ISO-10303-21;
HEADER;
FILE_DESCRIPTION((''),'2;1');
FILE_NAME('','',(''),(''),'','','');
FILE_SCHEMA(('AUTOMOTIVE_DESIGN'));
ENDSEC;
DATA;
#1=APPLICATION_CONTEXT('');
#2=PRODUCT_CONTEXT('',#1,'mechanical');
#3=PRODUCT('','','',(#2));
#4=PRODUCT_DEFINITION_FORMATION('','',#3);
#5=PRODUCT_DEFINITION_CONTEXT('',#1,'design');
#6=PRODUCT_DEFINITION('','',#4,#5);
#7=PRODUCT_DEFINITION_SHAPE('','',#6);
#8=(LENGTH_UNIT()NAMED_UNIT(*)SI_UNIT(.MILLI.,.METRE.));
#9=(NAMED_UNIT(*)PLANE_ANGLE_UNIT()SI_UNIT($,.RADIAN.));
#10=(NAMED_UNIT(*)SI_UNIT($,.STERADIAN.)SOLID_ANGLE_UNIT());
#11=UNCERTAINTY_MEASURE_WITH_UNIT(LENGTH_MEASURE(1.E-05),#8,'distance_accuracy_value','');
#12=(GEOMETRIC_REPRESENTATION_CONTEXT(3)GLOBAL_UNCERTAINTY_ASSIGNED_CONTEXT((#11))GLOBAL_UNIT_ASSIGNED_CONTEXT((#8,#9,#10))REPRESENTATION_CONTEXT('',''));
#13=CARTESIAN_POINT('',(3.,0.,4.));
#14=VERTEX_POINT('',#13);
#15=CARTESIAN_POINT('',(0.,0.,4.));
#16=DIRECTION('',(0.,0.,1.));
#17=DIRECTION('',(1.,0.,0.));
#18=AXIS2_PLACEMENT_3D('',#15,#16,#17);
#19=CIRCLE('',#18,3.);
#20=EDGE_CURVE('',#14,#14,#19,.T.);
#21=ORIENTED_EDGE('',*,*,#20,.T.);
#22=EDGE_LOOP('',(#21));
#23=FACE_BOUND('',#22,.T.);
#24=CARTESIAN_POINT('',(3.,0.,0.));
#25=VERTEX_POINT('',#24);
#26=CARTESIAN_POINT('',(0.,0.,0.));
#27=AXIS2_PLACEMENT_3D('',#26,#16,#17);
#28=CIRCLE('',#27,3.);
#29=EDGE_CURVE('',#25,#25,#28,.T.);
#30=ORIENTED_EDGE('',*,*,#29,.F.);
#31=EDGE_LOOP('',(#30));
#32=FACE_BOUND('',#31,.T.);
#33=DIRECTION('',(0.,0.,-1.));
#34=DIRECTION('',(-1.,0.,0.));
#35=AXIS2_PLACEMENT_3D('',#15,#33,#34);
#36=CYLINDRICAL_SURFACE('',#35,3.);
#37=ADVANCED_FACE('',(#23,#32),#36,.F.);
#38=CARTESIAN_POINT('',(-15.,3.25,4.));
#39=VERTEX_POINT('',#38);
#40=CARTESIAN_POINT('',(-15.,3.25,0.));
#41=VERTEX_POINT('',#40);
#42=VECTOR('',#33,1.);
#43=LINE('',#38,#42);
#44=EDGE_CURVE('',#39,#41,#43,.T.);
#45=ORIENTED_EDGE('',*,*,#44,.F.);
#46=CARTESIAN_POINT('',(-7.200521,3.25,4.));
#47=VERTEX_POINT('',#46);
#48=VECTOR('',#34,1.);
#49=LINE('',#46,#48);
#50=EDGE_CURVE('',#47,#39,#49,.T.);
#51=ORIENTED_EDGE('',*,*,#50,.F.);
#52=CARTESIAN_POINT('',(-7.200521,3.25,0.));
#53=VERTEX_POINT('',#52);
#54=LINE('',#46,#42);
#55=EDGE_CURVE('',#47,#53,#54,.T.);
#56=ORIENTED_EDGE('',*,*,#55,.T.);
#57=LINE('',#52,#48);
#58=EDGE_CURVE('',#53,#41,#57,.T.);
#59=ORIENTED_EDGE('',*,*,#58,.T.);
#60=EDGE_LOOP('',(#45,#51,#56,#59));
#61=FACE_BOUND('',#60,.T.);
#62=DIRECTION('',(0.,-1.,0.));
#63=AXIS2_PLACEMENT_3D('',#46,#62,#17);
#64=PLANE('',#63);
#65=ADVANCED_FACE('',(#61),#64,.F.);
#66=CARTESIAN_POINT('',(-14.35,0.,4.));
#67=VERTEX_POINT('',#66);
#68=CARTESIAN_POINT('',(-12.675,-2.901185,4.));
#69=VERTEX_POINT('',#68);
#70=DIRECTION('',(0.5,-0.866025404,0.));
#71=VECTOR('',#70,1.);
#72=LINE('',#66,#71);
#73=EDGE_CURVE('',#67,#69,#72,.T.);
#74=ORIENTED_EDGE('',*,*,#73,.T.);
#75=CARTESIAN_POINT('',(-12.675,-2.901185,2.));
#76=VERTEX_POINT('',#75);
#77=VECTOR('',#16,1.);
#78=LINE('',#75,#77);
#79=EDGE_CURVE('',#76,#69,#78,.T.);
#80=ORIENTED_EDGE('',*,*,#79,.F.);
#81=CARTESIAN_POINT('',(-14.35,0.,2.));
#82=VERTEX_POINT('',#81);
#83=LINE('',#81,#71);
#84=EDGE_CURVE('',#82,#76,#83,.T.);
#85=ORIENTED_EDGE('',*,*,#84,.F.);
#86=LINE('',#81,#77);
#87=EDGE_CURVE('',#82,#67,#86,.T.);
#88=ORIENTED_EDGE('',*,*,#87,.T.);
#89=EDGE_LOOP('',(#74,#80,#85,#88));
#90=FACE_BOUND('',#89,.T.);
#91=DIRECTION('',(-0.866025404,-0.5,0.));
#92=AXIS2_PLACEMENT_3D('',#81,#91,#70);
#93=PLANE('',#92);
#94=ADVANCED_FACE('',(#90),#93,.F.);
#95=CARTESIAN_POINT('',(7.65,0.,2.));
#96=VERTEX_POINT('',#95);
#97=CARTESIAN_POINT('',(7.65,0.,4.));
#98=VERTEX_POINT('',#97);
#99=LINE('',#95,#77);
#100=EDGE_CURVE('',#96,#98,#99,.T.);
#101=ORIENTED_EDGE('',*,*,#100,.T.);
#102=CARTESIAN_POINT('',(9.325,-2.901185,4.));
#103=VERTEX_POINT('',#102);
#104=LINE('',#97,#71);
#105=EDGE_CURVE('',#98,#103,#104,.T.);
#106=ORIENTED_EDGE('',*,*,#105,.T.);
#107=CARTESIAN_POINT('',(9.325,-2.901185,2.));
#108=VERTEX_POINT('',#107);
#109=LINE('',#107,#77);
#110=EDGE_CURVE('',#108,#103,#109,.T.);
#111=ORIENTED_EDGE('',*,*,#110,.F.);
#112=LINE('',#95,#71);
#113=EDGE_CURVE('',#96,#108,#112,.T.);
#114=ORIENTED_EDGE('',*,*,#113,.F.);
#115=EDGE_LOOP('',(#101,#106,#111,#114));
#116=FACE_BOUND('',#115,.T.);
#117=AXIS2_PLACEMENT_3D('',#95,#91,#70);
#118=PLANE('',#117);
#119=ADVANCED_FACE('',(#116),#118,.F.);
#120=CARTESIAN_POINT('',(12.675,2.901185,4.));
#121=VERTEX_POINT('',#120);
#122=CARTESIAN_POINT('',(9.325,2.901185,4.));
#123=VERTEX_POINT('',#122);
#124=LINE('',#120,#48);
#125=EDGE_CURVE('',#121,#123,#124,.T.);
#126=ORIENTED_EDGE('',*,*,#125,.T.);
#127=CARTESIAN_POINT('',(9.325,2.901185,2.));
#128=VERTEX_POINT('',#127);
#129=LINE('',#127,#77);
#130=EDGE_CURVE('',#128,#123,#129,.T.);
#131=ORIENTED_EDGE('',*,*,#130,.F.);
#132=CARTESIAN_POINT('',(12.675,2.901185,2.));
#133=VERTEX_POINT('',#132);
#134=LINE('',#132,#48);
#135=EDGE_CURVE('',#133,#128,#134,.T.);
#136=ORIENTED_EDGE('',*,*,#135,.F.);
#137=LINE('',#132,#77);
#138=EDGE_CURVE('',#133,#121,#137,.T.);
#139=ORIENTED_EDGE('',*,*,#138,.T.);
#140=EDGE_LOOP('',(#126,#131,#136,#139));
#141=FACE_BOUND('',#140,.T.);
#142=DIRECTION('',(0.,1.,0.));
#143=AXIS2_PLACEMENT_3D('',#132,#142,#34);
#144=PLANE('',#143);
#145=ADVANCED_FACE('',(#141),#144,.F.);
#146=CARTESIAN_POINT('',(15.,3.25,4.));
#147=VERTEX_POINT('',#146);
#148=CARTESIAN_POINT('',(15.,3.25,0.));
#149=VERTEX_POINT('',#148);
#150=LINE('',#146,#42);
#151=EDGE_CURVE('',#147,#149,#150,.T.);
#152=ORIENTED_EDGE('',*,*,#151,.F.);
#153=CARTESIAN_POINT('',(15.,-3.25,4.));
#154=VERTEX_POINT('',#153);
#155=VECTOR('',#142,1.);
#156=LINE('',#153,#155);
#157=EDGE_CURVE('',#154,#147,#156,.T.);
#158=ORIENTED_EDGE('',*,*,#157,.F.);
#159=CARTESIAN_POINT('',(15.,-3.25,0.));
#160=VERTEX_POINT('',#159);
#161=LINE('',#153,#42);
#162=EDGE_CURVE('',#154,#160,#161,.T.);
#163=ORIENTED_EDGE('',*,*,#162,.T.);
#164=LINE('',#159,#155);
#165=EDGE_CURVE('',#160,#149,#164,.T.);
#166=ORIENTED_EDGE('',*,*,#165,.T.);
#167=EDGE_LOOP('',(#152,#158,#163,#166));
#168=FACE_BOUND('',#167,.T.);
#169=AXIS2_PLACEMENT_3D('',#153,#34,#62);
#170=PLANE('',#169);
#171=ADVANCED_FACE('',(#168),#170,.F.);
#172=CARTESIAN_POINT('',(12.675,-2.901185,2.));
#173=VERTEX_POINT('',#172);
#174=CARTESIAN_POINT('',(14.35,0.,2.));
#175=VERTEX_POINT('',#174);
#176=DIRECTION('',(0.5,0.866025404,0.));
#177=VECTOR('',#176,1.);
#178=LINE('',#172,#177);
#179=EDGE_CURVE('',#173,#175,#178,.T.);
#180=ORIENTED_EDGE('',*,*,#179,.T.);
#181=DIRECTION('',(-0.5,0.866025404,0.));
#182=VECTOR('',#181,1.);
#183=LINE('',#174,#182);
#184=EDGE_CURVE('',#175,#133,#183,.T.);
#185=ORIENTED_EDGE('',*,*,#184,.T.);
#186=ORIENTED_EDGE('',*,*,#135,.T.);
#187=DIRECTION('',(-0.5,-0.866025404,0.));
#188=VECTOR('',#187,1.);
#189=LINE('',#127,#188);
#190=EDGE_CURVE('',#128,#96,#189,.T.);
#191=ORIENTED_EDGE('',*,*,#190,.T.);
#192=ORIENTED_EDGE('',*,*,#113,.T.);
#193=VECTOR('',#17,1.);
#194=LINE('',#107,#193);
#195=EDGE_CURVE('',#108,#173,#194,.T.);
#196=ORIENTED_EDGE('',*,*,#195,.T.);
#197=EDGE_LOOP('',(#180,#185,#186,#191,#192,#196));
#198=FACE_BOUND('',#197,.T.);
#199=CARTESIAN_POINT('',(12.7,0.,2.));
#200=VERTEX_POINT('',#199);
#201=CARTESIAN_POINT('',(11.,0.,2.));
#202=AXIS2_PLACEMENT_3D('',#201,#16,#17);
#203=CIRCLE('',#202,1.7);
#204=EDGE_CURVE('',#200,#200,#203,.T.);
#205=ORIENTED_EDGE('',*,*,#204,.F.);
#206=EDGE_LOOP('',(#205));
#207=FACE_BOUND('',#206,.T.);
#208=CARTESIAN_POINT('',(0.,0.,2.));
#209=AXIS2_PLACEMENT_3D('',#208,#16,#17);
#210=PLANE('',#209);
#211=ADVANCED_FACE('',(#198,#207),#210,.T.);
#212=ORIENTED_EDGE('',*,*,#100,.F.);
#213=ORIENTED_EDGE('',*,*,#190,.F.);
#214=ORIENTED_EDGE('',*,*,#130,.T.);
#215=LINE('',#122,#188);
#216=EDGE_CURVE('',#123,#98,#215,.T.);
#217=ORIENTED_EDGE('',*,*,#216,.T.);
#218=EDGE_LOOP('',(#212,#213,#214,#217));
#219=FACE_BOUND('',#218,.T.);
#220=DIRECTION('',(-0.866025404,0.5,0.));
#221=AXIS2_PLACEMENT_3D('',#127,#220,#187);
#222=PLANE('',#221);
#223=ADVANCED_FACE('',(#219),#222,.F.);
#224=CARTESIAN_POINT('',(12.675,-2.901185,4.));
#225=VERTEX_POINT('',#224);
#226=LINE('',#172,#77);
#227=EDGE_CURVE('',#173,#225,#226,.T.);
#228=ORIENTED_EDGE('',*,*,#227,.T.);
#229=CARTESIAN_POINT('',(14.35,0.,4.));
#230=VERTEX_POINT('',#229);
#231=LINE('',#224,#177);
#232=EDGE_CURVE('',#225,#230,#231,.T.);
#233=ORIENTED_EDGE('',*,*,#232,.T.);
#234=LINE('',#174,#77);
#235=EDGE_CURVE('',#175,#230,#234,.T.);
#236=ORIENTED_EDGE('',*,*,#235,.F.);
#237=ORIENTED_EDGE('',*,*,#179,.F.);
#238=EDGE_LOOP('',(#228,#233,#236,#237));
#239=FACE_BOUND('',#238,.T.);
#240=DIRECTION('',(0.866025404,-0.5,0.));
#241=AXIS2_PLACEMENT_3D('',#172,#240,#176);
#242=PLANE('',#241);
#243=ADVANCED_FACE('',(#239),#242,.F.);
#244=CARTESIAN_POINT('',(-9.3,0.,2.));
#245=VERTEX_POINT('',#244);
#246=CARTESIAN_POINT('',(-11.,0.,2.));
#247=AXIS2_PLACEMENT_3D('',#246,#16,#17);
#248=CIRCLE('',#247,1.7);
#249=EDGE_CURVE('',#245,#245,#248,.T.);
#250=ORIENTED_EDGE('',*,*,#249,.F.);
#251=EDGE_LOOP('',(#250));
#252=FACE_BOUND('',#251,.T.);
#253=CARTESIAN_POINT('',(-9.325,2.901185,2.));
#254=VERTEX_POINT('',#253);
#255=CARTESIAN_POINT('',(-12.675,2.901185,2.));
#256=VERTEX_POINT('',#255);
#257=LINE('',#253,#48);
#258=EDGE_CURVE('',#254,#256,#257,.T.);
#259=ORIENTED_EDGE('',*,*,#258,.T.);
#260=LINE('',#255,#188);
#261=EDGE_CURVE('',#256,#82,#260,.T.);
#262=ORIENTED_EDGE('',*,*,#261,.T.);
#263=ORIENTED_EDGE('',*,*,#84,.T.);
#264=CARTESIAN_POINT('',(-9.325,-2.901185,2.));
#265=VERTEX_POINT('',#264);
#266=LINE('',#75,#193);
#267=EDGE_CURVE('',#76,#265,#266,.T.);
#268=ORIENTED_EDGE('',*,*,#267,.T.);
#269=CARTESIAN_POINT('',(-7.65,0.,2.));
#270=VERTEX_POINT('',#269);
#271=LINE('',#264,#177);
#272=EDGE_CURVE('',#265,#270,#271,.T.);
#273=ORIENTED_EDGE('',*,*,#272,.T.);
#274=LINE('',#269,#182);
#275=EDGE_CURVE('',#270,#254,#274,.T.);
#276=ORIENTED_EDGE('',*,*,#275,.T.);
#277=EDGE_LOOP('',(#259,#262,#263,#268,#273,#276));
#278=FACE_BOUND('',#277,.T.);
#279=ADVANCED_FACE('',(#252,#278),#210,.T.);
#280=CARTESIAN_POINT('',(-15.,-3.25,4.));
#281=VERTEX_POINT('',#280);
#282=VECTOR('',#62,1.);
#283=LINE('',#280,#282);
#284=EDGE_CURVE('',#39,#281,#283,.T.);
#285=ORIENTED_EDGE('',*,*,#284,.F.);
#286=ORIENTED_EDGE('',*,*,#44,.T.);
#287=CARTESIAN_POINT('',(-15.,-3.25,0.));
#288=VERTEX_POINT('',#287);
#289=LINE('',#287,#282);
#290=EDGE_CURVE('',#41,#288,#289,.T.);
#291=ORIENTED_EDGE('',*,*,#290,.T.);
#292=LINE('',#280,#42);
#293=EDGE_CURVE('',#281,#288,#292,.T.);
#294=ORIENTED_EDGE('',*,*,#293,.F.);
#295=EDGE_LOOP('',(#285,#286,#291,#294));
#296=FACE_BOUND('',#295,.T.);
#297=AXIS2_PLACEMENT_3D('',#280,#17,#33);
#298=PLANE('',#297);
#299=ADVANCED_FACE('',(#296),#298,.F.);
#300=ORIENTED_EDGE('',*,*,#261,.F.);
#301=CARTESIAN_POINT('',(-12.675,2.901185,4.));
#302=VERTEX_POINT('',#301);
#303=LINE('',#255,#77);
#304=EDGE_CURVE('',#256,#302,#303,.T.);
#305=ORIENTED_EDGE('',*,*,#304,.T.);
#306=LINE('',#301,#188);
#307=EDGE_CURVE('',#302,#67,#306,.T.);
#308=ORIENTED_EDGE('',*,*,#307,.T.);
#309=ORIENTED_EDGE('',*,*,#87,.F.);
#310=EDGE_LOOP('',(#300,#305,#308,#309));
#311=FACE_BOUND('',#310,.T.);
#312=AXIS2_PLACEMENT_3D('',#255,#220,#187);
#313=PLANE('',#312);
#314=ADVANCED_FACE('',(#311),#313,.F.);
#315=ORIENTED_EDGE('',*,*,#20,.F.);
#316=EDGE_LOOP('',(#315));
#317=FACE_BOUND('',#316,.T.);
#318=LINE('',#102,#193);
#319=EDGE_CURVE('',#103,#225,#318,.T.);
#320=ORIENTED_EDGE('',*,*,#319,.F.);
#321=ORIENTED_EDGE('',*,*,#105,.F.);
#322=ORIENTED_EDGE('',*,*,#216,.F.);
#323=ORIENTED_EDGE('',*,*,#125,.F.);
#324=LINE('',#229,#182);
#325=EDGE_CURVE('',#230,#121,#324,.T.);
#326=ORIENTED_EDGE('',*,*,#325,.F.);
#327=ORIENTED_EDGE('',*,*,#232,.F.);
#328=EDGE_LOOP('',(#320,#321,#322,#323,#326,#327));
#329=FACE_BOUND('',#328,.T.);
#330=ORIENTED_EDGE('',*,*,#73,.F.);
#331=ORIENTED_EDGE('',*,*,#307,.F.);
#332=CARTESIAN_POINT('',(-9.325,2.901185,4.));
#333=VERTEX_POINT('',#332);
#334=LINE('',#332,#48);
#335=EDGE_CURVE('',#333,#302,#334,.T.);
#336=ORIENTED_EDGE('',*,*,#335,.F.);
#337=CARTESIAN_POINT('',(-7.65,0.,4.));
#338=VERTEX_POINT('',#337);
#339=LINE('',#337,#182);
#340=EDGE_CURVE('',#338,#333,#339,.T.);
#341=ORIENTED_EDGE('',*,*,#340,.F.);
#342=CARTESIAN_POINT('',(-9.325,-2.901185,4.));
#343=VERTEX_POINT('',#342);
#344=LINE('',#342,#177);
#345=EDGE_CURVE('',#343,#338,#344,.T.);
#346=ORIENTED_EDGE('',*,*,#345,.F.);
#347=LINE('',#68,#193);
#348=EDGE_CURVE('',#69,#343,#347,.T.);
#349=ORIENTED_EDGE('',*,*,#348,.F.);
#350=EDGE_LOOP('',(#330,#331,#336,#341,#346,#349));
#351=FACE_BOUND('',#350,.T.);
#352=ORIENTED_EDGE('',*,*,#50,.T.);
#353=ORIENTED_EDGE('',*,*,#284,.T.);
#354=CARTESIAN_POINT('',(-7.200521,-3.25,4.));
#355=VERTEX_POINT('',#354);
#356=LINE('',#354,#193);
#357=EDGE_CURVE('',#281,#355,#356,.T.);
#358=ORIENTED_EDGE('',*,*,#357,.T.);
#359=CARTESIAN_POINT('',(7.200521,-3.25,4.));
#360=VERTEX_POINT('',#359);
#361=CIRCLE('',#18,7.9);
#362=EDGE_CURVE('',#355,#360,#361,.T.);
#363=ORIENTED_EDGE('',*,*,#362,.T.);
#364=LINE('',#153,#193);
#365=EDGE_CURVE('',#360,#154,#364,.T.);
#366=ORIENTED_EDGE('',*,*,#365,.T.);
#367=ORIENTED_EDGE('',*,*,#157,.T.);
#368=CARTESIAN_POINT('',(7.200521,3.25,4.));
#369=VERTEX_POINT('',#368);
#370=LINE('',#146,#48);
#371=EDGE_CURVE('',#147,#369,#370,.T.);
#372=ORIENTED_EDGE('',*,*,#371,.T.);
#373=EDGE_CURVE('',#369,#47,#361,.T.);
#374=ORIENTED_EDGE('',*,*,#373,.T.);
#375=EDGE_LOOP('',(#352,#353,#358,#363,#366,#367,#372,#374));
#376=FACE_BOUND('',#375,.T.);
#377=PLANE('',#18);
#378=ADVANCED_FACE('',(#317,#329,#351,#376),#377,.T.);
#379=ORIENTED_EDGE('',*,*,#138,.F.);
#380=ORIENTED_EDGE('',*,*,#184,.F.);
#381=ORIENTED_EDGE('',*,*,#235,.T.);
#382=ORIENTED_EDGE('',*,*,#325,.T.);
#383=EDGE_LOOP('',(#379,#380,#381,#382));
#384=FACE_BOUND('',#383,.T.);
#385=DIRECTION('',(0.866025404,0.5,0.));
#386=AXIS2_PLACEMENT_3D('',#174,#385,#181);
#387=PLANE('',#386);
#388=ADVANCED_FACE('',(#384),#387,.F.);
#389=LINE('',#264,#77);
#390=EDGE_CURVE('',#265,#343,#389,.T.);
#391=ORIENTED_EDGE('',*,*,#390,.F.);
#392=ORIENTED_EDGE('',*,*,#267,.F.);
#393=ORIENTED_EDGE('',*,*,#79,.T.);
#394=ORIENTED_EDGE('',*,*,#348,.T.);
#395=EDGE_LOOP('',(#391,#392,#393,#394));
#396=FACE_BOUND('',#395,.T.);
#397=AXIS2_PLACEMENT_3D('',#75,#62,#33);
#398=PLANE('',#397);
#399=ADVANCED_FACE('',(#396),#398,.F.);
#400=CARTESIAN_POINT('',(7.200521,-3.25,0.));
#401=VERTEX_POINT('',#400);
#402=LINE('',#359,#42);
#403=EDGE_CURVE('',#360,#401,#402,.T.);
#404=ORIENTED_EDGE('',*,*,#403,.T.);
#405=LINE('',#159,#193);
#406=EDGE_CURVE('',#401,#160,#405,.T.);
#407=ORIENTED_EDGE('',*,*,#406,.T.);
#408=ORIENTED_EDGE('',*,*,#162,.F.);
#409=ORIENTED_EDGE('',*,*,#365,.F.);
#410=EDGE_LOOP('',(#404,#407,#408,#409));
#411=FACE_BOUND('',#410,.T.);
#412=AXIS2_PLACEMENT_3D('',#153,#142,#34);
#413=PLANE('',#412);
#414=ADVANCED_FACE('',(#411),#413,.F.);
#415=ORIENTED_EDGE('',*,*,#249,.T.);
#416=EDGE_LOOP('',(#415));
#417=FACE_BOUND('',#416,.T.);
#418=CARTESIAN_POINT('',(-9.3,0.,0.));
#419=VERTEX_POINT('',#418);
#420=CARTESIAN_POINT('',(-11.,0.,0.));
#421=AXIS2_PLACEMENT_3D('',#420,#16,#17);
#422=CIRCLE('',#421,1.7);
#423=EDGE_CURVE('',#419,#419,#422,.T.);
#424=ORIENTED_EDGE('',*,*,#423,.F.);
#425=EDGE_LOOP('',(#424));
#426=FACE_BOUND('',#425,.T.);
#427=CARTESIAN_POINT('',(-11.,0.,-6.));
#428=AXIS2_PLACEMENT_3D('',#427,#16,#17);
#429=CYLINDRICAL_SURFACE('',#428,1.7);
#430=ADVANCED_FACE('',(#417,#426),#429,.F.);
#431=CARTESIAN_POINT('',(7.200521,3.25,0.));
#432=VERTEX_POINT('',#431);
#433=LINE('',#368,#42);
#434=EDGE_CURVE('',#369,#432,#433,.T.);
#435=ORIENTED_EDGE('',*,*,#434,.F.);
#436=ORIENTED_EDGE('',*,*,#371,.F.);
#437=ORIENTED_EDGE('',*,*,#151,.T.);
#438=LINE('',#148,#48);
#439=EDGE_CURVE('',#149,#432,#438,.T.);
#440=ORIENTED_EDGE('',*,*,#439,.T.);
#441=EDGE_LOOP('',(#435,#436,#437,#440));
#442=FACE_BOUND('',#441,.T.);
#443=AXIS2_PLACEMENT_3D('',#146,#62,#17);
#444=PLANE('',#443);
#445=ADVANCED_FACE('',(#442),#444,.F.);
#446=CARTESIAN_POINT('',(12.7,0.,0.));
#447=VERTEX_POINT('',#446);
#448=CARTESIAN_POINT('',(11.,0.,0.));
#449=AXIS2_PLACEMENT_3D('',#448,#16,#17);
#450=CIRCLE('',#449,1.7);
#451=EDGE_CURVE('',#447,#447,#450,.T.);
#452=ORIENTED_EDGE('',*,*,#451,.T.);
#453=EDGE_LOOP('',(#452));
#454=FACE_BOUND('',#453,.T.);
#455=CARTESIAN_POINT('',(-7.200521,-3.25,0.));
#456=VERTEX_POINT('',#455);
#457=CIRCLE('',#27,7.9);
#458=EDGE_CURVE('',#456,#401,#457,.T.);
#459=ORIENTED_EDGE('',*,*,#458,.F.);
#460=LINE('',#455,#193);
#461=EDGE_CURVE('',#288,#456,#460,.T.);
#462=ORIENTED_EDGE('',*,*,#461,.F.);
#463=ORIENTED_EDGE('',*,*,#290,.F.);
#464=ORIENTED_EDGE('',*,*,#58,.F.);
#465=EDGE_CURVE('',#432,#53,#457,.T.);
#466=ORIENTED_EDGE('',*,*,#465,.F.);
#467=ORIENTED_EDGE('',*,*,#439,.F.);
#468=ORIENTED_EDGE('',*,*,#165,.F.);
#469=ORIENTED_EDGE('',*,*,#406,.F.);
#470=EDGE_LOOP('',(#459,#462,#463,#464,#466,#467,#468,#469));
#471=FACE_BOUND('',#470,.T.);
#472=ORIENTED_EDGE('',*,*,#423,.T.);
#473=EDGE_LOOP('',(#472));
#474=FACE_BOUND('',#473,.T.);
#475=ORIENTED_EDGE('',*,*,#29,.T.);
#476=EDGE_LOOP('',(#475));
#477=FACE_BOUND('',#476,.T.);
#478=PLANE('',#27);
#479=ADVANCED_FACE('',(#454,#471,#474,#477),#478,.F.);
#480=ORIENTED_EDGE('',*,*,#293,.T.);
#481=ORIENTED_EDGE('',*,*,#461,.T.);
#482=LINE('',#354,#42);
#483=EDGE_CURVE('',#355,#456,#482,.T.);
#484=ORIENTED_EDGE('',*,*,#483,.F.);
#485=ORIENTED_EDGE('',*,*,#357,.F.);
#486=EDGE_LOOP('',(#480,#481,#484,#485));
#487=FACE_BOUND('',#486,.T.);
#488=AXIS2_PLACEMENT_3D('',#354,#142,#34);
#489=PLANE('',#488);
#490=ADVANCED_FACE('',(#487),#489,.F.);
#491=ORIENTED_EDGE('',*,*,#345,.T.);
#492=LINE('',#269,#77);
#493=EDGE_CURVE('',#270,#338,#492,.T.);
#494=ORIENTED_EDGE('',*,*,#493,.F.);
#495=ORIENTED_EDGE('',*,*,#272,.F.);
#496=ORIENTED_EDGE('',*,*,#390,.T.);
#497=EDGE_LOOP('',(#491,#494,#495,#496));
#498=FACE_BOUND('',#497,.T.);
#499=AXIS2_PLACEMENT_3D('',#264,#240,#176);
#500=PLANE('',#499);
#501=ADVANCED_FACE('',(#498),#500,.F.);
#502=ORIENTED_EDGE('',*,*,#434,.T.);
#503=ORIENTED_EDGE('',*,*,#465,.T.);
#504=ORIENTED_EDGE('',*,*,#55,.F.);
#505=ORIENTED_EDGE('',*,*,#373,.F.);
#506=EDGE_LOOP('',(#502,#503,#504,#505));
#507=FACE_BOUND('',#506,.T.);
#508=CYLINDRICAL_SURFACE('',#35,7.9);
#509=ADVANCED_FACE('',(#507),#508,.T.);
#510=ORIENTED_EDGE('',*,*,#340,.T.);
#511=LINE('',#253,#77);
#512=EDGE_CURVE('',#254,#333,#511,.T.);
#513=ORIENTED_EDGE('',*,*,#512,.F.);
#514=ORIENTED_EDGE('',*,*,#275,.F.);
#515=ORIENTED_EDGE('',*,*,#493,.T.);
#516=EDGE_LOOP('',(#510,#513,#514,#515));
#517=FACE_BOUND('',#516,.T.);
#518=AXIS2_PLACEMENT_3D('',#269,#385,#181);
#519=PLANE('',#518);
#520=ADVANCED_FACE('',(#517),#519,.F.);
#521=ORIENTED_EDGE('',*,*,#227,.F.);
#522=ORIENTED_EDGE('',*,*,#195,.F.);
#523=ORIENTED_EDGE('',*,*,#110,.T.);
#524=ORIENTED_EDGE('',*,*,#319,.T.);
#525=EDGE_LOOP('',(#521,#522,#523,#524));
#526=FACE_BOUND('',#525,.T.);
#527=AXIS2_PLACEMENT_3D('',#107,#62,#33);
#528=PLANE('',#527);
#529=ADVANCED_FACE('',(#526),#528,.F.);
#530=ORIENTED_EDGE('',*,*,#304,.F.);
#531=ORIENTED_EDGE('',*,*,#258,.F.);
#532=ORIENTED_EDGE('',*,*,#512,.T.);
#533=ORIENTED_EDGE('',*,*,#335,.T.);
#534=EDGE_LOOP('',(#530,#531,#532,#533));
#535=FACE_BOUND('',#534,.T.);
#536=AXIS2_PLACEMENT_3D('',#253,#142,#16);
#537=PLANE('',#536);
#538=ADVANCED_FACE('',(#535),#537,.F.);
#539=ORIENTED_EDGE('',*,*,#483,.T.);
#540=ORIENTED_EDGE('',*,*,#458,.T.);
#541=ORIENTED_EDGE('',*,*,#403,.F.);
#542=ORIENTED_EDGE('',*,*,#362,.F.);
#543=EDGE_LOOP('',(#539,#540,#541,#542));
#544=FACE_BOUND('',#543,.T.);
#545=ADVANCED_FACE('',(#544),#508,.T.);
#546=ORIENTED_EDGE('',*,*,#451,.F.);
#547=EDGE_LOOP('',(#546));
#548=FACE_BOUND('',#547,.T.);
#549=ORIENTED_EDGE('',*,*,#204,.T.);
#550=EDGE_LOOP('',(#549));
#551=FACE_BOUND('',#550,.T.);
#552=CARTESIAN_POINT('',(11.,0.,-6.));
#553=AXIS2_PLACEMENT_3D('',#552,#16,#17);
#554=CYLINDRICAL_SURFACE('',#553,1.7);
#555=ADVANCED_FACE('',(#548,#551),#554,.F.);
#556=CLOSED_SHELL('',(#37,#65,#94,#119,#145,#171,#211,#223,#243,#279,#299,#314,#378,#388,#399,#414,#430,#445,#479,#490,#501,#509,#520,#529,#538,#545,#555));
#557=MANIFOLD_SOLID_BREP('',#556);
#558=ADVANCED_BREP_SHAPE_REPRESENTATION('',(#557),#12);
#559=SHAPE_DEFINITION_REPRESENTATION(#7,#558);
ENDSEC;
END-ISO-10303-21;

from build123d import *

# Parameters (mm, degrees)
CROQUIS1_R              = 3
SALIENTE_EXTRUIR1_DEPTH = 4
CORTAR_EXTRUIR1_DEPTH   = 2
CROQUIS3_R              = 1.7
CORTAR_EXTRUIR2_DEPTH   = 10


with BuildPart() as part:
    # Croquis1 → Saliente-Extruir1 (new body)
    with BuildSketch(Plane.XY):
        with BuildLine():
            Line((-7.200520814, 3.25), (-15, 3.25))
            Line((-15, 3.25), (-15, -3.25))
            Line((-15, -3.25), (-7.200520814, -3.25))
            ThreePointArc((-7.200520814, -3.25), (0, -7.9), (7.200520814, -3.25))
            Line((7.200520814, -3.25), (15, -3.25))
            Line((15, -3.25), (15, 3.25))
            Line((15, 3.25), (7.200520814, 3.25))
            ThreePointArc((7.200520814, 3.25), (0, 7.9), (-7.200520814, 3.25))
        make_face()
        Circle(CROQUIS1_R, mode=Mode.SUBTRACT)
    extrude(amount=SALIENTE_EXTRUIR1_DEPTH)

    # Croquis2 → Cortar-Extruir1 (cut)
    with BuildSketch(Plane.XY.offset(4)):
        Polygon((-14.35, 0), (-12.675, -2.901185103), (-9.325, -2.901185103), (-7.65, 0), (-9.325, 2.901185103), (-12.675, 2.901185103), align=None)
        Polygon((14.35, 0), (12.675, 2.901185103), (9.325, 2.901185103), (7.65, 0), (9.325, -2.901185103), (12.675, -2.901185103), align=None)
    extrude(amount=-CORTAR_EXTRUIR1_DEPTH, mode=Mode.SUBTRACT)

    # Croquis3 → Cortar-Extruir2 (cut)
    with BuildSketch(Plane.XY.offset(4)):
        with Locations((-11, 0)):
            Circle(CROQUIS3_R)
        with Locations((11, 0)):
            Circle(CROQUIS3_R)
    extrude(amount=-CORTAR_EXTRUIR2_DEPTH, mode=Mode.SUBTRACT)


solid = part.part
